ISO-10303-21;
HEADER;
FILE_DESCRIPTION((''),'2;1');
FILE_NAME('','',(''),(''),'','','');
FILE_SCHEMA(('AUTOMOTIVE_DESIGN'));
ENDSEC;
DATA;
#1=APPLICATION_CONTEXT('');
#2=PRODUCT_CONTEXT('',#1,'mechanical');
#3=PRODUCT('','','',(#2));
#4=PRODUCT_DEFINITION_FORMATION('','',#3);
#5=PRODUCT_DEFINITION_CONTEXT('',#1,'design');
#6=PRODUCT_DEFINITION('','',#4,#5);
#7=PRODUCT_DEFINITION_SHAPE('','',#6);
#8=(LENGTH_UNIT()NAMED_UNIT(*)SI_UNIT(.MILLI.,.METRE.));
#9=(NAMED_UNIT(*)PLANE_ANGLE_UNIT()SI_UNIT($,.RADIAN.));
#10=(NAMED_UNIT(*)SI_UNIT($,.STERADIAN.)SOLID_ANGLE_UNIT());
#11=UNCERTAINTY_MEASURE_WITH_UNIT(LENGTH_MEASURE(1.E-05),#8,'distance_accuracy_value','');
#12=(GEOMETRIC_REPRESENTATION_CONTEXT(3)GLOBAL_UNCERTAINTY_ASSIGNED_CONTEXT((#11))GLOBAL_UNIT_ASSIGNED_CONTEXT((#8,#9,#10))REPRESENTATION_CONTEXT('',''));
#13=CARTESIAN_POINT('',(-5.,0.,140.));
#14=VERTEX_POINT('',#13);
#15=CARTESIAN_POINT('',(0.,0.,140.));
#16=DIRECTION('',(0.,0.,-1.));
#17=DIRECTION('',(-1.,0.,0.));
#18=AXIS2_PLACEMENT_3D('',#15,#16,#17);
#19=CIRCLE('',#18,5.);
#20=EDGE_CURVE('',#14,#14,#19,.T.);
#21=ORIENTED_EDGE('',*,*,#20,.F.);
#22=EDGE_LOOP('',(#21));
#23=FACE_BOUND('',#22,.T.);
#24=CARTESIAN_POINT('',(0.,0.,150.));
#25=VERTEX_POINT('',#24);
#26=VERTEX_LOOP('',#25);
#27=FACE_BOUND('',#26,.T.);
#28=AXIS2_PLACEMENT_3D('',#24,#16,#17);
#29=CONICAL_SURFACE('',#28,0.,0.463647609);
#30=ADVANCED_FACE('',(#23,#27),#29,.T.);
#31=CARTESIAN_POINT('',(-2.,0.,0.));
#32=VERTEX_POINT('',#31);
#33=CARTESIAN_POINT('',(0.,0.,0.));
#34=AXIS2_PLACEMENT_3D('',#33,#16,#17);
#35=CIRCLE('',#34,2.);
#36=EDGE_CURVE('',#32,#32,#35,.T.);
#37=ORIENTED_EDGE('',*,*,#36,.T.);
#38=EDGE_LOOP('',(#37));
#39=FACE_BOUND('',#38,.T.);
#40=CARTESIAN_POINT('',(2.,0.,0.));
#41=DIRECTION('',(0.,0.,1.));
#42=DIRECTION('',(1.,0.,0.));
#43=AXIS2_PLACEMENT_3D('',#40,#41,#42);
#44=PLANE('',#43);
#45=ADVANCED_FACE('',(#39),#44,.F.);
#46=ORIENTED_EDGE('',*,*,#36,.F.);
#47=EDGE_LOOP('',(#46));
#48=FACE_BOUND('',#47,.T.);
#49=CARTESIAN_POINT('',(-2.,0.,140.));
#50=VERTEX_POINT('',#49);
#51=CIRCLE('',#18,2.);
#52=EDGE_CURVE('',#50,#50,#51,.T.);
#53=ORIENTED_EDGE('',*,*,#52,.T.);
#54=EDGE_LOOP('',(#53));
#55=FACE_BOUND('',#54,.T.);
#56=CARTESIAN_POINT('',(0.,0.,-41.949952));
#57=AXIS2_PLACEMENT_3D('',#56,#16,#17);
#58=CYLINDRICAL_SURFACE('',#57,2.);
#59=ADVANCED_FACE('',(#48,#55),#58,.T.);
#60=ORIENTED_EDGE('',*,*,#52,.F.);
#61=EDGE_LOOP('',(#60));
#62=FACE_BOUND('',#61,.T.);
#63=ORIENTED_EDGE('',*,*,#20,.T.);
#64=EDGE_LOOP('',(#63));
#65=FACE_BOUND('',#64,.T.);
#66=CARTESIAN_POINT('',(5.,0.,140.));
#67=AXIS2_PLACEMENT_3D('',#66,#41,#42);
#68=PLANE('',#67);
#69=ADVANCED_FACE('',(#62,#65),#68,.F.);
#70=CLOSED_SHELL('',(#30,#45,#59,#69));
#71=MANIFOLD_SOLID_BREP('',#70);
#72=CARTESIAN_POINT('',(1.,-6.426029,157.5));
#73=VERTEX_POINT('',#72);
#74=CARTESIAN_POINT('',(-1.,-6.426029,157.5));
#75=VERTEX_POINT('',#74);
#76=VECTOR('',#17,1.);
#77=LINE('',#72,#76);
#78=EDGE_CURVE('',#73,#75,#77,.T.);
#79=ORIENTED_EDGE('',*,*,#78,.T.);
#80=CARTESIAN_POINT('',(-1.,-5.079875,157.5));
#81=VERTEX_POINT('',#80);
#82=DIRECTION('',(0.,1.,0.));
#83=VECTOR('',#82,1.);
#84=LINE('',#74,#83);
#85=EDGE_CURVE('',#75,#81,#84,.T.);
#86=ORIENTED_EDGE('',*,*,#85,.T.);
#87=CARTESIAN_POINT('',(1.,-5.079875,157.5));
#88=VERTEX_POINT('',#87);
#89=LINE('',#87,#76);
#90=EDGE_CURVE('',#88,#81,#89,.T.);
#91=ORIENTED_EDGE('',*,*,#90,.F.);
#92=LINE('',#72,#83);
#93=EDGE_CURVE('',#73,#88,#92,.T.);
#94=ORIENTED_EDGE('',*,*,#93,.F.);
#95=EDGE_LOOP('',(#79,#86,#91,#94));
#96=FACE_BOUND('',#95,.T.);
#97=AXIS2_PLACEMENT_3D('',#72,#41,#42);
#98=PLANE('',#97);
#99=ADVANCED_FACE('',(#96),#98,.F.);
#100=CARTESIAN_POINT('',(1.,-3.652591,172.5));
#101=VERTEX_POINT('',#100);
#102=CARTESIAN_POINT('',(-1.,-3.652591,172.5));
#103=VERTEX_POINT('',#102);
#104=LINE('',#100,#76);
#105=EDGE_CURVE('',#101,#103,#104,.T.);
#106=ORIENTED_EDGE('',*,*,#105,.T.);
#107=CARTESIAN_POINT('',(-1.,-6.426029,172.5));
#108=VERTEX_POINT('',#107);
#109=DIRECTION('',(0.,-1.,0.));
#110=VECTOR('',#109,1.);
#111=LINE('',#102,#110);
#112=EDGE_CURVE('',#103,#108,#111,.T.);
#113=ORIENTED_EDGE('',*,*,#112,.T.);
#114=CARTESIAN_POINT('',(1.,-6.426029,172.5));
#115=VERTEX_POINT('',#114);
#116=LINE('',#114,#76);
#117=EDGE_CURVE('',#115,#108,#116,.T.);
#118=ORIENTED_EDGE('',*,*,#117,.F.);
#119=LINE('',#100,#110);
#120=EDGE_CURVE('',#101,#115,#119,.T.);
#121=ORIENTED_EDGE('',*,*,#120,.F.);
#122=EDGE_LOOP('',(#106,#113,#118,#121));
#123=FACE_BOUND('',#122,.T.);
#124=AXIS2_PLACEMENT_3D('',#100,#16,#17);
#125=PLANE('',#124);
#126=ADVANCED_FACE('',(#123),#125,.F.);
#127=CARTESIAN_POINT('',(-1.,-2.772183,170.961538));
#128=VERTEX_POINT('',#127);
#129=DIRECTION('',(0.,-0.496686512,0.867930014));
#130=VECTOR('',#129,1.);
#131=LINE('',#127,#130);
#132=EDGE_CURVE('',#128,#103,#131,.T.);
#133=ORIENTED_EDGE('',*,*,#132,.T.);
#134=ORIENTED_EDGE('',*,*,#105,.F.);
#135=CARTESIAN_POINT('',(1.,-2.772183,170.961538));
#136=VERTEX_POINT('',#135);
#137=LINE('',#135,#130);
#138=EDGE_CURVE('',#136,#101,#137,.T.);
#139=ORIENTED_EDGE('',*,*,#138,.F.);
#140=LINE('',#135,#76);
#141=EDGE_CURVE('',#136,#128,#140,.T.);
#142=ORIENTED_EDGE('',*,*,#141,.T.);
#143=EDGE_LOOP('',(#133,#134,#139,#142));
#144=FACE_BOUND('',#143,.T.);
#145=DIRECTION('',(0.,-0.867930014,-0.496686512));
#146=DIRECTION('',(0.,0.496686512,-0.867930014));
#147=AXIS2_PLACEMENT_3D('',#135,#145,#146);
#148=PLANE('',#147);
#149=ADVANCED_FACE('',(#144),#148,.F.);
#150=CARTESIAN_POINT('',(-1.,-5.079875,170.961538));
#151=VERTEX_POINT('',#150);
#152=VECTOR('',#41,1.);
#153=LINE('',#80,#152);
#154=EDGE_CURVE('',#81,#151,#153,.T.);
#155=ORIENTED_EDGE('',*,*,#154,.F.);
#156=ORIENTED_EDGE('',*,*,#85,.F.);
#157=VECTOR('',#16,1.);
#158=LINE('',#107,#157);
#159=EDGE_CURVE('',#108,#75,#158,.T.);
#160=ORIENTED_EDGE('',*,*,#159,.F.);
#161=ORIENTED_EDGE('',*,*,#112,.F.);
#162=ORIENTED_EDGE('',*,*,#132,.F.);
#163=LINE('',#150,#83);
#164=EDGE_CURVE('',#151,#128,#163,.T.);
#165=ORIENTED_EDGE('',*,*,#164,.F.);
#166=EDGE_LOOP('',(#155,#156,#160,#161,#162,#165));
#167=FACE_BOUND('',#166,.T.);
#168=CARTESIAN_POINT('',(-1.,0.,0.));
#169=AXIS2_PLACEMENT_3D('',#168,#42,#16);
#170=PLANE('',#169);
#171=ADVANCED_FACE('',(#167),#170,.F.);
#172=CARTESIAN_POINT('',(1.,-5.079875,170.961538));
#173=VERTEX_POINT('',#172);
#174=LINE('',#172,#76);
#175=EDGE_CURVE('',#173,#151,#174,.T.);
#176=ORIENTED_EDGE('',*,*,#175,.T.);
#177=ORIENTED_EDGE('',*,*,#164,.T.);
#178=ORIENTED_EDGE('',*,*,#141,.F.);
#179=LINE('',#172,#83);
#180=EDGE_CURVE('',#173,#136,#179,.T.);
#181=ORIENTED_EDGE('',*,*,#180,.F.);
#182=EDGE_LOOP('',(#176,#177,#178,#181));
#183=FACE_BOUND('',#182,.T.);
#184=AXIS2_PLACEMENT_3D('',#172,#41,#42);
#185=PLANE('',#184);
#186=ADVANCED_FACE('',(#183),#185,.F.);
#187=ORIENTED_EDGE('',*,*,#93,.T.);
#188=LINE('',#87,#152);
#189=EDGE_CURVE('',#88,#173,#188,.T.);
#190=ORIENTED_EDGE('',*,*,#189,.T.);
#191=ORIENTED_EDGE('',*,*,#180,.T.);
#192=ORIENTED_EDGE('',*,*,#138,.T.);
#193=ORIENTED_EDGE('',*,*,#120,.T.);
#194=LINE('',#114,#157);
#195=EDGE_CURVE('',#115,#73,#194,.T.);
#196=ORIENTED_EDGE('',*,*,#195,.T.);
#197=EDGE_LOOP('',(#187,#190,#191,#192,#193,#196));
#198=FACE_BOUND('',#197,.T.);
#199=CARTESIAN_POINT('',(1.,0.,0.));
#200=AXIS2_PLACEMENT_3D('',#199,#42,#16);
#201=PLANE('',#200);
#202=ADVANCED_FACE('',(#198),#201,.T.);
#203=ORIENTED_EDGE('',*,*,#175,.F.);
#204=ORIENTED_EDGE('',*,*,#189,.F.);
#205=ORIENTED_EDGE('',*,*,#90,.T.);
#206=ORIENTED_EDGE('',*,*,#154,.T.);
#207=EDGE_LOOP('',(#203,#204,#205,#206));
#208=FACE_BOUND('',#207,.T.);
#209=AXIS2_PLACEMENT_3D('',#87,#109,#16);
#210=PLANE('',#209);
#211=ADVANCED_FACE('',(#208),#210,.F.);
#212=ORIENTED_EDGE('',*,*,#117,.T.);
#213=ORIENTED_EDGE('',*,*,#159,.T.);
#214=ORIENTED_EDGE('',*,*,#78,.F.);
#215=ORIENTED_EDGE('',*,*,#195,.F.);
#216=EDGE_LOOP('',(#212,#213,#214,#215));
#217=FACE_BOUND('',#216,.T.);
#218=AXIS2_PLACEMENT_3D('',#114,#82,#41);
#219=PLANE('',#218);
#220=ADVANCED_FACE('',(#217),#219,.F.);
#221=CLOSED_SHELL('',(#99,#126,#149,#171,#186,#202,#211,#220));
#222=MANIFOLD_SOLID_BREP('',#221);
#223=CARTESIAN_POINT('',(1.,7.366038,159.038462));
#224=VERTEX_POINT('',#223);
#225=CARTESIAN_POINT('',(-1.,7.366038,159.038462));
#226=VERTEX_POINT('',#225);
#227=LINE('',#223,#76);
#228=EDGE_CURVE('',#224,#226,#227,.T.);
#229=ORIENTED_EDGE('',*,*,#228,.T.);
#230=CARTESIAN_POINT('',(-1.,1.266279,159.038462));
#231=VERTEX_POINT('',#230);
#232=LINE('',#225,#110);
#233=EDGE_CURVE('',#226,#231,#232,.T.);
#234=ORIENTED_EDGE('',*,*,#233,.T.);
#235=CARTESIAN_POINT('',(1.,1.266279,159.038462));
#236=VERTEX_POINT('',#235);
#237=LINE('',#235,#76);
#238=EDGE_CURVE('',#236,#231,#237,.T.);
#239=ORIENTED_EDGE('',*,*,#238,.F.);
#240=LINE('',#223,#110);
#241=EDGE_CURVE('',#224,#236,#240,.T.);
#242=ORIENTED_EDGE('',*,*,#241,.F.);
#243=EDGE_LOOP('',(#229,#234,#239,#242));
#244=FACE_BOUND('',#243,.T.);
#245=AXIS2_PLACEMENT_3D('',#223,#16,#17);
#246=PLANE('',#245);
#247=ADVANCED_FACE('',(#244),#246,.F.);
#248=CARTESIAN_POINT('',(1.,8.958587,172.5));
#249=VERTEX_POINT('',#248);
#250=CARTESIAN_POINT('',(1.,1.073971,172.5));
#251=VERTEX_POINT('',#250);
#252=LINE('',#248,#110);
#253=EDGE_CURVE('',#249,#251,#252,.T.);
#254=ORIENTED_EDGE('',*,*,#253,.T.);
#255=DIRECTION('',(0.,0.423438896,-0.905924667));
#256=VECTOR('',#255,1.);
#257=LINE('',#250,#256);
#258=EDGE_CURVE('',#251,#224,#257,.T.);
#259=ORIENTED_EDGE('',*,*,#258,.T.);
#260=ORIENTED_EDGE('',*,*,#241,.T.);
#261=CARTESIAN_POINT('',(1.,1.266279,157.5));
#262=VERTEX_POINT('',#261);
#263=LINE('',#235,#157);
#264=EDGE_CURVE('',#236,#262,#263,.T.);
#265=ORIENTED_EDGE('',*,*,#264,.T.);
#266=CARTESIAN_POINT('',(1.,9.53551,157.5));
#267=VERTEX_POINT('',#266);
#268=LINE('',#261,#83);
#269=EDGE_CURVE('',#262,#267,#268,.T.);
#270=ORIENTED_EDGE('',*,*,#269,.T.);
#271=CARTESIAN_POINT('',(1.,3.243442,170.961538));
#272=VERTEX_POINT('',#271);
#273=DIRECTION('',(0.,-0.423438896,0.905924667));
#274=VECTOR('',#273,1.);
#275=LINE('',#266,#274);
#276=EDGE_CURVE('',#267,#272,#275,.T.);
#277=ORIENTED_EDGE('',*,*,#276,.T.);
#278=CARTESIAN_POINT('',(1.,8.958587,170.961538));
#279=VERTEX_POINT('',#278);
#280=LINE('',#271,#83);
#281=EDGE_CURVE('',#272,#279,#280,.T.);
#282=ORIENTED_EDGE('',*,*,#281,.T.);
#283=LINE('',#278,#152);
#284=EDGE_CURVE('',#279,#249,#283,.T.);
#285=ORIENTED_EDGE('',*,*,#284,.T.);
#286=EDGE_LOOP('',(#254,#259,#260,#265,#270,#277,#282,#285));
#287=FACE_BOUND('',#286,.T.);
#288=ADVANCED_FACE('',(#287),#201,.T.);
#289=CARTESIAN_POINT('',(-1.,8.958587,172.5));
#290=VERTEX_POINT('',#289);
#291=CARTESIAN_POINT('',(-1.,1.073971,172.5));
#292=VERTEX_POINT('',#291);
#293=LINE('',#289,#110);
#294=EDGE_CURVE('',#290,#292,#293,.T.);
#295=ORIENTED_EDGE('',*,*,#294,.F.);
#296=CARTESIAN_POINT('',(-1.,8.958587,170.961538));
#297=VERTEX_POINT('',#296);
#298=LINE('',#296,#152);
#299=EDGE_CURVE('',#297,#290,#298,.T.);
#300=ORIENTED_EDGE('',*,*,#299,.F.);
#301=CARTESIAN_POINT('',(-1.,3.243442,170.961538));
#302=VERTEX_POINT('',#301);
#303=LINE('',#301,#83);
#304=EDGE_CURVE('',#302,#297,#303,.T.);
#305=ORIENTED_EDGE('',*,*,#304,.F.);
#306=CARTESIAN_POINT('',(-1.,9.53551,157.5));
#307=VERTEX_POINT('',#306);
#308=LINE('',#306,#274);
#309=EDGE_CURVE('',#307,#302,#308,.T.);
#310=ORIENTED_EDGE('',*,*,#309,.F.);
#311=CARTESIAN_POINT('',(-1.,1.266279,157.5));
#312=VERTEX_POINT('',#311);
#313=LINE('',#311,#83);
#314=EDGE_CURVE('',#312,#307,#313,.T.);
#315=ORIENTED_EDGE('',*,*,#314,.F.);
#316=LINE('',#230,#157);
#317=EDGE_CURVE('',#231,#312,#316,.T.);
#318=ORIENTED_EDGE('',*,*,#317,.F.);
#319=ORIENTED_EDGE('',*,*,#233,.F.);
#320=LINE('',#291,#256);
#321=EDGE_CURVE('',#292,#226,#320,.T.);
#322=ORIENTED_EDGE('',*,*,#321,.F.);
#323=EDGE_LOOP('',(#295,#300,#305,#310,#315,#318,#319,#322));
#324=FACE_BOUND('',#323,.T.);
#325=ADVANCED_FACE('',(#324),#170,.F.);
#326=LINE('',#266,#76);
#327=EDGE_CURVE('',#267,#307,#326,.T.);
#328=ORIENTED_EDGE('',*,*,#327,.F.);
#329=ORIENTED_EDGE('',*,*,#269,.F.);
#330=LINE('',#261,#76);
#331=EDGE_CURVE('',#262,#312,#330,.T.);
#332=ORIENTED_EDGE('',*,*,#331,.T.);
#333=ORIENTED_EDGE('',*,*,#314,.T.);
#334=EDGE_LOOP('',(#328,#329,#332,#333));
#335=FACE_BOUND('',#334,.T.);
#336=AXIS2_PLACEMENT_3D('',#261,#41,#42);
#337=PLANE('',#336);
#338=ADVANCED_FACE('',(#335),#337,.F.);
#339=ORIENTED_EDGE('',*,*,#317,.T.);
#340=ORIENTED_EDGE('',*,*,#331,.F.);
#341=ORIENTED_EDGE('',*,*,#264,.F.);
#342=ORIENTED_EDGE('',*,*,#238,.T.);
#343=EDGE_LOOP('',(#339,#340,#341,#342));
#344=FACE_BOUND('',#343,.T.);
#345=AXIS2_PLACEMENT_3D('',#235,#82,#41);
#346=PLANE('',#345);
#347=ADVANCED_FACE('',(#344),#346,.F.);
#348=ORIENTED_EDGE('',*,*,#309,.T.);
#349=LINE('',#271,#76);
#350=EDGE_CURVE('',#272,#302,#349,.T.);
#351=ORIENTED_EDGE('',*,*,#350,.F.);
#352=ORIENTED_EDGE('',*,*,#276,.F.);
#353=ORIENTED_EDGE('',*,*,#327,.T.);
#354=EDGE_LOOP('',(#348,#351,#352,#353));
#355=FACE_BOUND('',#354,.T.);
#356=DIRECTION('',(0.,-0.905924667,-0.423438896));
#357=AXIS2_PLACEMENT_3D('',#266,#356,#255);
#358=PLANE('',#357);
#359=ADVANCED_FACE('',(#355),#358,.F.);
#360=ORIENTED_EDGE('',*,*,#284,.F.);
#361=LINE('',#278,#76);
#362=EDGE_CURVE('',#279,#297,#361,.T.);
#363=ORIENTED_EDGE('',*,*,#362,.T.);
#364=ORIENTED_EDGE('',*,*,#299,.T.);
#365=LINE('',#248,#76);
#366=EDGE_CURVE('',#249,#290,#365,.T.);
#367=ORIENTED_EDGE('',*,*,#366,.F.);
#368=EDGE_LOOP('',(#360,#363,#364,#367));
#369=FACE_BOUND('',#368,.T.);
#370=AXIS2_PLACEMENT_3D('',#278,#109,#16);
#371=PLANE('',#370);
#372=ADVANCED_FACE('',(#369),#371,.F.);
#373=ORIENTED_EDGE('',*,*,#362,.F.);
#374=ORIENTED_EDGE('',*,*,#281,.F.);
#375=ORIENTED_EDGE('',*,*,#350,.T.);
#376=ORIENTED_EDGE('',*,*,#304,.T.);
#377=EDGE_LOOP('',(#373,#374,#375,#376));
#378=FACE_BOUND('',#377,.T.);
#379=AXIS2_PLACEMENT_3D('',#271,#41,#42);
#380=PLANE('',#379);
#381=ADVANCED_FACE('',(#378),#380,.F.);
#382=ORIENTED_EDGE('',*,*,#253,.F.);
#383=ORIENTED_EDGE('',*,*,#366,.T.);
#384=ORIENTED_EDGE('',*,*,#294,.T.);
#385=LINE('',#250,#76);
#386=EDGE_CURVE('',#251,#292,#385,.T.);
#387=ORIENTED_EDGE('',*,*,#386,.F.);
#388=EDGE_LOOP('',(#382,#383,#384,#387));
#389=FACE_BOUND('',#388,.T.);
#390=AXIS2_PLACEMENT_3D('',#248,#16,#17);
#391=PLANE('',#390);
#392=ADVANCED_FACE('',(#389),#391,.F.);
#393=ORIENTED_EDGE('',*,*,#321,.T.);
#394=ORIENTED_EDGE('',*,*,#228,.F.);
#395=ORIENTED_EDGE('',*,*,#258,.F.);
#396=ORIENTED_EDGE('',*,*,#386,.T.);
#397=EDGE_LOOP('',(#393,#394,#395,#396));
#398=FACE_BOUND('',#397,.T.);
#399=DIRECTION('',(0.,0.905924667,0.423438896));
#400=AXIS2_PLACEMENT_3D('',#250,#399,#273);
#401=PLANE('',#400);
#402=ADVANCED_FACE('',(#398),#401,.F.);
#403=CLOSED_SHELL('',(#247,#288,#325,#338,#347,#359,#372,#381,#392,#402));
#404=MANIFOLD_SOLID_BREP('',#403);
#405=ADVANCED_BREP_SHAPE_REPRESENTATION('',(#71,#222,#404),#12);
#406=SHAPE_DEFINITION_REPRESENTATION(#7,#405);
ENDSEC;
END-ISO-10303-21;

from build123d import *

# Parameters (mm, degrees)
BOSS_EXTRUDE1_DEPTH        = 1
BOSS_EXTRUDE1_DEPTH_BACK   = 1
BOSS_EXTRUDE1_2_DEPTH      = 1
BOSS_EXTRUDE1_2_DEPTH_BACK = 1


with BuildPart() as part:
    # Sketch2 → Revolve1 (revolve)
    with BuildSketch(Plane(origin=(0, 0, 0), x_dir=(1, 0, 0), z_dir=(0, 1, 0))):
        Polygon((0, -150), (5, -140), (2, -140), (2, 0), (0, 0), align=None)
    revolve(axis=Axis((0, 0, -41.949952025), (0, 0, 1)))


with BuildPart() as body_2:
    # Sketch3 → Boss-Extrude1 (new, two sides: drawn at the far end of the back side and taken through both)
    with BuildSketch(Plane(origin=(0, 0, 0), x_dir=(0, -1, 0), z_dir=(1, 0, 0)).offset(-BOSS_EXTRUDE1_DEPTH_BACK)):
        Polygon((-8.958586521, -170.961538462), (-8.958586521, -172.5), (-1.073971137, -172.5), (-7.366038444, -159.038461538), (-1.266278829, -159.038461538), (-1.266278829, -157.5), (-9.535509598, -157.5), (-3.243442291, -170.961538462), align=None)
    extrude(amount=BOSS_EXTRUDE1_DEPTH + BOSS_EXTRUDE1_DEPTH_BACK)


with BuildPart() as body_3:
    # Sketch3 → Boss-Extrude1 2 (new, two sides: drawn at the far end of the back side and taken through both)
    with BuildSketch(Plane(origin=(0, 0, 0), x_dir=(0, -1, 0), z_dir=(1, 0, 0)).offset(-BOSS_EXTRUDE1_2_DEPTH_BACK)):
        Polygon((3.652591363, -172.5), (6.426028863, -172.5), (6.426028863, -157.5), (5.079875017, -157.5), (5.079875017, -170.961538462), (2.772182709, -170.961538462), align=None)
    extrude(amount=BOSS_EXTRUDE1_2_DEPTH + BOSS_EXTRUDE1_2_DEPTH_BACK)


solid = Compound([part.part, body_2.part, body_3.part])
